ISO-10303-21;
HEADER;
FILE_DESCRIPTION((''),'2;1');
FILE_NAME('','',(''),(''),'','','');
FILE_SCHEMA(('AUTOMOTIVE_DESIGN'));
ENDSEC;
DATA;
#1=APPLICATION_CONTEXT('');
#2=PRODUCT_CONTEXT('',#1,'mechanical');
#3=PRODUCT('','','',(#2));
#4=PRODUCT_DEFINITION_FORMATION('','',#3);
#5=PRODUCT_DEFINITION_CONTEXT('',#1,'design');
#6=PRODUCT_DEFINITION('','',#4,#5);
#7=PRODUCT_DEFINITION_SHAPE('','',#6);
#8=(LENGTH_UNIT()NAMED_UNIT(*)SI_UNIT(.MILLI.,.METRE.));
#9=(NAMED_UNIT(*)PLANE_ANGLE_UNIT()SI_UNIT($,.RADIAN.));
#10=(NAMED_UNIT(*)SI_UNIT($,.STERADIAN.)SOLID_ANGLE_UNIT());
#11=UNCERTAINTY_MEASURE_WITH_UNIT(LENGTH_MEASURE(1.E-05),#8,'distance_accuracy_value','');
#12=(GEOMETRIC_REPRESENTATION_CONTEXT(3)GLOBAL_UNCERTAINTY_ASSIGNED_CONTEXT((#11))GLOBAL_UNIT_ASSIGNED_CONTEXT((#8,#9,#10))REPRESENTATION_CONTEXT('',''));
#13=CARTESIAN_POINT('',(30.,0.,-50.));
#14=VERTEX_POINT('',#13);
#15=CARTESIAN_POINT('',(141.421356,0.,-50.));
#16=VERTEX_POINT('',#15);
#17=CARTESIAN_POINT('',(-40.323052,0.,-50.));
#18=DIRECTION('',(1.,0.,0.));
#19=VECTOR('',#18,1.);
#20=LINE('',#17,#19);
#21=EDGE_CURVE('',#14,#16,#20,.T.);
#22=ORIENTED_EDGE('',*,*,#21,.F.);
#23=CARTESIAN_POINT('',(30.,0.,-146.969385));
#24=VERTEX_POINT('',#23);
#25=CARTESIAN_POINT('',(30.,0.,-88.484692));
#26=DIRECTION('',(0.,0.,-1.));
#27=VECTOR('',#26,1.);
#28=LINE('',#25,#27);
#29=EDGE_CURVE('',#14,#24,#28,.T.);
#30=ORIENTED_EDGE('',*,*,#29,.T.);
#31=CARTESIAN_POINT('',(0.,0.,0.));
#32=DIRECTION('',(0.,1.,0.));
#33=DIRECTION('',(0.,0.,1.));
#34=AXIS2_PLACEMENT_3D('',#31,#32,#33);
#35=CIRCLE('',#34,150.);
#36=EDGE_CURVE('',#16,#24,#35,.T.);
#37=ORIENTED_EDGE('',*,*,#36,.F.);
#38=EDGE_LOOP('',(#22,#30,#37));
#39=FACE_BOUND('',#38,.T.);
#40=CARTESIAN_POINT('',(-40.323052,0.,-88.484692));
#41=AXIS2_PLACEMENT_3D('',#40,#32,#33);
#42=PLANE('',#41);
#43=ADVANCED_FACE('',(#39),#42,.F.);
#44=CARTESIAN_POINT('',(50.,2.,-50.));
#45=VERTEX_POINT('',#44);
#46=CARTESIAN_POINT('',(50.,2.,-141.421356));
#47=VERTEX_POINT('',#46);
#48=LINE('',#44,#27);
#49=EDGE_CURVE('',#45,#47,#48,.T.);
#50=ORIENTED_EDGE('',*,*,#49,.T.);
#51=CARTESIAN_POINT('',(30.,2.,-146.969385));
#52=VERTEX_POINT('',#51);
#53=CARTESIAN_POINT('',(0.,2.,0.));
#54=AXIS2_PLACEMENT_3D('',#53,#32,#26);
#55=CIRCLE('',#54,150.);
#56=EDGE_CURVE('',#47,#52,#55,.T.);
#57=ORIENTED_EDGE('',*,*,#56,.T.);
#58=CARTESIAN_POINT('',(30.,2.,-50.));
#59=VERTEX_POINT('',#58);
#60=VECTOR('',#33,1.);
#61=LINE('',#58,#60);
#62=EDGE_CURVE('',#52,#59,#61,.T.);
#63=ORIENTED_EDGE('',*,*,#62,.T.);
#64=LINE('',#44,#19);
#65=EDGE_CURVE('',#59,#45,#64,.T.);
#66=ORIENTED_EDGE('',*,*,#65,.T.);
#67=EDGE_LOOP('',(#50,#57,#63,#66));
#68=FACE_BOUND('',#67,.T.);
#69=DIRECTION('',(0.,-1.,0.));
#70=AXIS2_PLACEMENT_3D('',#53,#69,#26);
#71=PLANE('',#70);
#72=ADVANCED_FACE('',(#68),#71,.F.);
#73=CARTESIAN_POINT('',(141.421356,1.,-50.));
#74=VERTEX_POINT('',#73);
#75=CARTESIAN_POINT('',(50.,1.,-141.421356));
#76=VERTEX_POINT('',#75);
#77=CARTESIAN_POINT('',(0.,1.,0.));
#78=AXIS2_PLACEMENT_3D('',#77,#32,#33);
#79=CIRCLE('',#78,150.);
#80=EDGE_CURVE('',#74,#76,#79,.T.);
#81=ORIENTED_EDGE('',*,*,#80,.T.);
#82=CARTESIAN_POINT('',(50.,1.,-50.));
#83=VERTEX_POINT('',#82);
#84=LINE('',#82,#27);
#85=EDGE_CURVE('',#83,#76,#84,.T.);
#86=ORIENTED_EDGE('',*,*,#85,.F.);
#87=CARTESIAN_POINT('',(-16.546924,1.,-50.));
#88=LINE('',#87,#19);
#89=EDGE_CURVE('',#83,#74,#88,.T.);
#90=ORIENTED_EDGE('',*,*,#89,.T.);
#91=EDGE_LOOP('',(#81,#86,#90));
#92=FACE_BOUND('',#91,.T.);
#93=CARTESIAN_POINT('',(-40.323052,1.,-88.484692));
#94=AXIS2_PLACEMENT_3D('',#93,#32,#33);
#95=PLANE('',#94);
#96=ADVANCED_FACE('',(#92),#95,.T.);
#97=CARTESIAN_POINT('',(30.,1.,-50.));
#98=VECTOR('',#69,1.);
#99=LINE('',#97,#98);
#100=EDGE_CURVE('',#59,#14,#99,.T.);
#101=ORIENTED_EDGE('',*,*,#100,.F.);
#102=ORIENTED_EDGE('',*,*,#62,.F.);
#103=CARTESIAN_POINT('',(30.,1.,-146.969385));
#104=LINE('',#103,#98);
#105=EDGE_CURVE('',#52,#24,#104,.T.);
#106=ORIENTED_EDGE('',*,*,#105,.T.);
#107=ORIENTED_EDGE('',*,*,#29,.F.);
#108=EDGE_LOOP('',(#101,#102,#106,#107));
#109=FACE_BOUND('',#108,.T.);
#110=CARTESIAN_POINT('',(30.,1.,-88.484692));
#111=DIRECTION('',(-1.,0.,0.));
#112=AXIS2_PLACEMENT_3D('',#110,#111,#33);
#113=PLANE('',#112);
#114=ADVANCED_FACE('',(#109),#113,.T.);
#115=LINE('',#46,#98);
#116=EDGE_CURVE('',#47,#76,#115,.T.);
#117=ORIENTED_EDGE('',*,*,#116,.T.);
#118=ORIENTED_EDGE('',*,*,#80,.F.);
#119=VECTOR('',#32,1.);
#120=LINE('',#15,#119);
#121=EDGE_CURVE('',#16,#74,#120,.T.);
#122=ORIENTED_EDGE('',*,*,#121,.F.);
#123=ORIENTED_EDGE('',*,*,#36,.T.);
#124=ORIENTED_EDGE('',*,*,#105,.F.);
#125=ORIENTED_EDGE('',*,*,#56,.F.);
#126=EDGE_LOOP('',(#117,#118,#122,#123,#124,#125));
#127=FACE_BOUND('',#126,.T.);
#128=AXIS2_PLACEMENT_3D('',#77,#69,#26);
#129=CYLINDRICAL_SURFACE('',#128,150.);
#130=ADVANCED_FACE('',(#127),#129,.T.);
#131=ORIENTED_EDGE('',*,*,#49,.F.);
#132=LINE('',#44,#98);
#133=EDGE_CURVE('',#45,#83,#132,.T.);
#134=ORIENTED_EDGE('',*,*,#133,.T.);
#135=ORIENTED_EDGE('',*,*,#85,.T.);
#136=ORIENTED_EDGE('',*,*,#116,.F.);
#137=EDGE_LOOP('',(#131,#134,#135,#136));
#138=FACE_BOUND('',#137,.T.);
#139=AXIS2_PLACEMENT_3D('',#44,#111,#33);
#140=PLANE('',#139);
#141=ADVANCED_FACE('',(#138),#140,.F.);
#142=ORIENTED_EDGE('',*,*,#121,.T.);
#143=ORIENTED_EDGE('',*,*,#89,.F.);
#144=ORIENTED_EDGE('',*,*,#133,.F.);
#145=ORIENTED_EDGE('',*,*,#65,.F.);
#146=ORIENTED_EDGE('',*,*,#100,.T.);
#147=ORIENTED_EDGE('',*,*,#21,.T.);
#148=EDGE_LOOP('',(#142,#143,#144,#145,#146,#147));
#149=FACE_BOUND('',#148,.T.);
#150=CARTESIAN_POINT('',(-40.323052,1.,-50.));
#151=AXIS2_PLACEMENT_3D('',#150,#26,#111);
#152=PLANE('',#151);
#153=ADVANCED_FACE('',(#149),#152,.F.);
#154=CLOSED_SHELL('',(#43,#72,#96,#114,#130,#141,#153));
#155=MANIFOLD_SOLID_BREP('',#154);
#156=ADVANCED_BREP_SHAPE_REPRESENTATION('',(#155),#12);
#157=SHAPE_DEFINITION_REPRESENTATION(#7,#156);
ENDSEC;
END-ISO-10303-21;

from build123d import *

# Parameters (mm, degrees)
BOSS_EXTRUDE3_DEPTH = 1
BOSS_EXTRUDE4_DEPTH = 1
CUT_EXTRUDE1_DEPTH  = 208.84850252


with BuildPart() as part:
    # Sketch1 → Boss-Extrude3 (new body)
    with BuildSketch(Plane(origin=(0, 0, 0), x_dir=(1, 0, 0), z_dir=(0, 1, 0))):
        with BuildLine():
            Line((50, 50), (50, 30))
            Line((50, 30), (146.969384567, 30))
            ThreePointArc((146.969384567, 30), (106.066017178, 106.066017178), (30, 146.969384567))
            Line((30, 146.969384567), (30, 50))
            Line((30, 50), (50, 50))
        make_face()
    extrude(amount=BOSS_EXTRUDE3_DEPTH)

    # Sketch2 → Boss-Extrude4 (add)
    with BuildSketch(Plane(origin=(0, 1, 0), x_dir=(-1, 0, 0), z_dir=(0, 1, 0))):
        with BuildLine():
            Line((-50, -50), (-30, -50))
            Line((-30, -50), (-30, -146.969384567))
            ThreePointArc((-30, -146.969384567), (-40.096074055, -144.541706249), (-50, -141.421356237))
            Line((-50, -141.421356237), (-50, -50))
        make_face()
    extrude(amount=BOSS_EXTRUDE4_DEPTH)

    # Sketch3 → Cut-Extrude1 (cut, through all)
    with BuildSketch(Plane(origin=(0, 1, 0), x_dir=(-1, 0, 0), z_dir=(0, 1, 0))):
        with BuildLine():
            Line((-141.421356237, -50), (-50, -50))
            Line((-50, -50), (-50, -30))
            Line((-50, -30), (-146.969384567, -30))
            ThreePointArc((-146.969384567, -30), (-144.541706249, -40.096074055), (-141.421356237, -50))
        make_face()
    extrude(amount=-CUT_EXTRUDE1_DEPTH, mode=Mode.SUBTRACT)


solid = part.part
